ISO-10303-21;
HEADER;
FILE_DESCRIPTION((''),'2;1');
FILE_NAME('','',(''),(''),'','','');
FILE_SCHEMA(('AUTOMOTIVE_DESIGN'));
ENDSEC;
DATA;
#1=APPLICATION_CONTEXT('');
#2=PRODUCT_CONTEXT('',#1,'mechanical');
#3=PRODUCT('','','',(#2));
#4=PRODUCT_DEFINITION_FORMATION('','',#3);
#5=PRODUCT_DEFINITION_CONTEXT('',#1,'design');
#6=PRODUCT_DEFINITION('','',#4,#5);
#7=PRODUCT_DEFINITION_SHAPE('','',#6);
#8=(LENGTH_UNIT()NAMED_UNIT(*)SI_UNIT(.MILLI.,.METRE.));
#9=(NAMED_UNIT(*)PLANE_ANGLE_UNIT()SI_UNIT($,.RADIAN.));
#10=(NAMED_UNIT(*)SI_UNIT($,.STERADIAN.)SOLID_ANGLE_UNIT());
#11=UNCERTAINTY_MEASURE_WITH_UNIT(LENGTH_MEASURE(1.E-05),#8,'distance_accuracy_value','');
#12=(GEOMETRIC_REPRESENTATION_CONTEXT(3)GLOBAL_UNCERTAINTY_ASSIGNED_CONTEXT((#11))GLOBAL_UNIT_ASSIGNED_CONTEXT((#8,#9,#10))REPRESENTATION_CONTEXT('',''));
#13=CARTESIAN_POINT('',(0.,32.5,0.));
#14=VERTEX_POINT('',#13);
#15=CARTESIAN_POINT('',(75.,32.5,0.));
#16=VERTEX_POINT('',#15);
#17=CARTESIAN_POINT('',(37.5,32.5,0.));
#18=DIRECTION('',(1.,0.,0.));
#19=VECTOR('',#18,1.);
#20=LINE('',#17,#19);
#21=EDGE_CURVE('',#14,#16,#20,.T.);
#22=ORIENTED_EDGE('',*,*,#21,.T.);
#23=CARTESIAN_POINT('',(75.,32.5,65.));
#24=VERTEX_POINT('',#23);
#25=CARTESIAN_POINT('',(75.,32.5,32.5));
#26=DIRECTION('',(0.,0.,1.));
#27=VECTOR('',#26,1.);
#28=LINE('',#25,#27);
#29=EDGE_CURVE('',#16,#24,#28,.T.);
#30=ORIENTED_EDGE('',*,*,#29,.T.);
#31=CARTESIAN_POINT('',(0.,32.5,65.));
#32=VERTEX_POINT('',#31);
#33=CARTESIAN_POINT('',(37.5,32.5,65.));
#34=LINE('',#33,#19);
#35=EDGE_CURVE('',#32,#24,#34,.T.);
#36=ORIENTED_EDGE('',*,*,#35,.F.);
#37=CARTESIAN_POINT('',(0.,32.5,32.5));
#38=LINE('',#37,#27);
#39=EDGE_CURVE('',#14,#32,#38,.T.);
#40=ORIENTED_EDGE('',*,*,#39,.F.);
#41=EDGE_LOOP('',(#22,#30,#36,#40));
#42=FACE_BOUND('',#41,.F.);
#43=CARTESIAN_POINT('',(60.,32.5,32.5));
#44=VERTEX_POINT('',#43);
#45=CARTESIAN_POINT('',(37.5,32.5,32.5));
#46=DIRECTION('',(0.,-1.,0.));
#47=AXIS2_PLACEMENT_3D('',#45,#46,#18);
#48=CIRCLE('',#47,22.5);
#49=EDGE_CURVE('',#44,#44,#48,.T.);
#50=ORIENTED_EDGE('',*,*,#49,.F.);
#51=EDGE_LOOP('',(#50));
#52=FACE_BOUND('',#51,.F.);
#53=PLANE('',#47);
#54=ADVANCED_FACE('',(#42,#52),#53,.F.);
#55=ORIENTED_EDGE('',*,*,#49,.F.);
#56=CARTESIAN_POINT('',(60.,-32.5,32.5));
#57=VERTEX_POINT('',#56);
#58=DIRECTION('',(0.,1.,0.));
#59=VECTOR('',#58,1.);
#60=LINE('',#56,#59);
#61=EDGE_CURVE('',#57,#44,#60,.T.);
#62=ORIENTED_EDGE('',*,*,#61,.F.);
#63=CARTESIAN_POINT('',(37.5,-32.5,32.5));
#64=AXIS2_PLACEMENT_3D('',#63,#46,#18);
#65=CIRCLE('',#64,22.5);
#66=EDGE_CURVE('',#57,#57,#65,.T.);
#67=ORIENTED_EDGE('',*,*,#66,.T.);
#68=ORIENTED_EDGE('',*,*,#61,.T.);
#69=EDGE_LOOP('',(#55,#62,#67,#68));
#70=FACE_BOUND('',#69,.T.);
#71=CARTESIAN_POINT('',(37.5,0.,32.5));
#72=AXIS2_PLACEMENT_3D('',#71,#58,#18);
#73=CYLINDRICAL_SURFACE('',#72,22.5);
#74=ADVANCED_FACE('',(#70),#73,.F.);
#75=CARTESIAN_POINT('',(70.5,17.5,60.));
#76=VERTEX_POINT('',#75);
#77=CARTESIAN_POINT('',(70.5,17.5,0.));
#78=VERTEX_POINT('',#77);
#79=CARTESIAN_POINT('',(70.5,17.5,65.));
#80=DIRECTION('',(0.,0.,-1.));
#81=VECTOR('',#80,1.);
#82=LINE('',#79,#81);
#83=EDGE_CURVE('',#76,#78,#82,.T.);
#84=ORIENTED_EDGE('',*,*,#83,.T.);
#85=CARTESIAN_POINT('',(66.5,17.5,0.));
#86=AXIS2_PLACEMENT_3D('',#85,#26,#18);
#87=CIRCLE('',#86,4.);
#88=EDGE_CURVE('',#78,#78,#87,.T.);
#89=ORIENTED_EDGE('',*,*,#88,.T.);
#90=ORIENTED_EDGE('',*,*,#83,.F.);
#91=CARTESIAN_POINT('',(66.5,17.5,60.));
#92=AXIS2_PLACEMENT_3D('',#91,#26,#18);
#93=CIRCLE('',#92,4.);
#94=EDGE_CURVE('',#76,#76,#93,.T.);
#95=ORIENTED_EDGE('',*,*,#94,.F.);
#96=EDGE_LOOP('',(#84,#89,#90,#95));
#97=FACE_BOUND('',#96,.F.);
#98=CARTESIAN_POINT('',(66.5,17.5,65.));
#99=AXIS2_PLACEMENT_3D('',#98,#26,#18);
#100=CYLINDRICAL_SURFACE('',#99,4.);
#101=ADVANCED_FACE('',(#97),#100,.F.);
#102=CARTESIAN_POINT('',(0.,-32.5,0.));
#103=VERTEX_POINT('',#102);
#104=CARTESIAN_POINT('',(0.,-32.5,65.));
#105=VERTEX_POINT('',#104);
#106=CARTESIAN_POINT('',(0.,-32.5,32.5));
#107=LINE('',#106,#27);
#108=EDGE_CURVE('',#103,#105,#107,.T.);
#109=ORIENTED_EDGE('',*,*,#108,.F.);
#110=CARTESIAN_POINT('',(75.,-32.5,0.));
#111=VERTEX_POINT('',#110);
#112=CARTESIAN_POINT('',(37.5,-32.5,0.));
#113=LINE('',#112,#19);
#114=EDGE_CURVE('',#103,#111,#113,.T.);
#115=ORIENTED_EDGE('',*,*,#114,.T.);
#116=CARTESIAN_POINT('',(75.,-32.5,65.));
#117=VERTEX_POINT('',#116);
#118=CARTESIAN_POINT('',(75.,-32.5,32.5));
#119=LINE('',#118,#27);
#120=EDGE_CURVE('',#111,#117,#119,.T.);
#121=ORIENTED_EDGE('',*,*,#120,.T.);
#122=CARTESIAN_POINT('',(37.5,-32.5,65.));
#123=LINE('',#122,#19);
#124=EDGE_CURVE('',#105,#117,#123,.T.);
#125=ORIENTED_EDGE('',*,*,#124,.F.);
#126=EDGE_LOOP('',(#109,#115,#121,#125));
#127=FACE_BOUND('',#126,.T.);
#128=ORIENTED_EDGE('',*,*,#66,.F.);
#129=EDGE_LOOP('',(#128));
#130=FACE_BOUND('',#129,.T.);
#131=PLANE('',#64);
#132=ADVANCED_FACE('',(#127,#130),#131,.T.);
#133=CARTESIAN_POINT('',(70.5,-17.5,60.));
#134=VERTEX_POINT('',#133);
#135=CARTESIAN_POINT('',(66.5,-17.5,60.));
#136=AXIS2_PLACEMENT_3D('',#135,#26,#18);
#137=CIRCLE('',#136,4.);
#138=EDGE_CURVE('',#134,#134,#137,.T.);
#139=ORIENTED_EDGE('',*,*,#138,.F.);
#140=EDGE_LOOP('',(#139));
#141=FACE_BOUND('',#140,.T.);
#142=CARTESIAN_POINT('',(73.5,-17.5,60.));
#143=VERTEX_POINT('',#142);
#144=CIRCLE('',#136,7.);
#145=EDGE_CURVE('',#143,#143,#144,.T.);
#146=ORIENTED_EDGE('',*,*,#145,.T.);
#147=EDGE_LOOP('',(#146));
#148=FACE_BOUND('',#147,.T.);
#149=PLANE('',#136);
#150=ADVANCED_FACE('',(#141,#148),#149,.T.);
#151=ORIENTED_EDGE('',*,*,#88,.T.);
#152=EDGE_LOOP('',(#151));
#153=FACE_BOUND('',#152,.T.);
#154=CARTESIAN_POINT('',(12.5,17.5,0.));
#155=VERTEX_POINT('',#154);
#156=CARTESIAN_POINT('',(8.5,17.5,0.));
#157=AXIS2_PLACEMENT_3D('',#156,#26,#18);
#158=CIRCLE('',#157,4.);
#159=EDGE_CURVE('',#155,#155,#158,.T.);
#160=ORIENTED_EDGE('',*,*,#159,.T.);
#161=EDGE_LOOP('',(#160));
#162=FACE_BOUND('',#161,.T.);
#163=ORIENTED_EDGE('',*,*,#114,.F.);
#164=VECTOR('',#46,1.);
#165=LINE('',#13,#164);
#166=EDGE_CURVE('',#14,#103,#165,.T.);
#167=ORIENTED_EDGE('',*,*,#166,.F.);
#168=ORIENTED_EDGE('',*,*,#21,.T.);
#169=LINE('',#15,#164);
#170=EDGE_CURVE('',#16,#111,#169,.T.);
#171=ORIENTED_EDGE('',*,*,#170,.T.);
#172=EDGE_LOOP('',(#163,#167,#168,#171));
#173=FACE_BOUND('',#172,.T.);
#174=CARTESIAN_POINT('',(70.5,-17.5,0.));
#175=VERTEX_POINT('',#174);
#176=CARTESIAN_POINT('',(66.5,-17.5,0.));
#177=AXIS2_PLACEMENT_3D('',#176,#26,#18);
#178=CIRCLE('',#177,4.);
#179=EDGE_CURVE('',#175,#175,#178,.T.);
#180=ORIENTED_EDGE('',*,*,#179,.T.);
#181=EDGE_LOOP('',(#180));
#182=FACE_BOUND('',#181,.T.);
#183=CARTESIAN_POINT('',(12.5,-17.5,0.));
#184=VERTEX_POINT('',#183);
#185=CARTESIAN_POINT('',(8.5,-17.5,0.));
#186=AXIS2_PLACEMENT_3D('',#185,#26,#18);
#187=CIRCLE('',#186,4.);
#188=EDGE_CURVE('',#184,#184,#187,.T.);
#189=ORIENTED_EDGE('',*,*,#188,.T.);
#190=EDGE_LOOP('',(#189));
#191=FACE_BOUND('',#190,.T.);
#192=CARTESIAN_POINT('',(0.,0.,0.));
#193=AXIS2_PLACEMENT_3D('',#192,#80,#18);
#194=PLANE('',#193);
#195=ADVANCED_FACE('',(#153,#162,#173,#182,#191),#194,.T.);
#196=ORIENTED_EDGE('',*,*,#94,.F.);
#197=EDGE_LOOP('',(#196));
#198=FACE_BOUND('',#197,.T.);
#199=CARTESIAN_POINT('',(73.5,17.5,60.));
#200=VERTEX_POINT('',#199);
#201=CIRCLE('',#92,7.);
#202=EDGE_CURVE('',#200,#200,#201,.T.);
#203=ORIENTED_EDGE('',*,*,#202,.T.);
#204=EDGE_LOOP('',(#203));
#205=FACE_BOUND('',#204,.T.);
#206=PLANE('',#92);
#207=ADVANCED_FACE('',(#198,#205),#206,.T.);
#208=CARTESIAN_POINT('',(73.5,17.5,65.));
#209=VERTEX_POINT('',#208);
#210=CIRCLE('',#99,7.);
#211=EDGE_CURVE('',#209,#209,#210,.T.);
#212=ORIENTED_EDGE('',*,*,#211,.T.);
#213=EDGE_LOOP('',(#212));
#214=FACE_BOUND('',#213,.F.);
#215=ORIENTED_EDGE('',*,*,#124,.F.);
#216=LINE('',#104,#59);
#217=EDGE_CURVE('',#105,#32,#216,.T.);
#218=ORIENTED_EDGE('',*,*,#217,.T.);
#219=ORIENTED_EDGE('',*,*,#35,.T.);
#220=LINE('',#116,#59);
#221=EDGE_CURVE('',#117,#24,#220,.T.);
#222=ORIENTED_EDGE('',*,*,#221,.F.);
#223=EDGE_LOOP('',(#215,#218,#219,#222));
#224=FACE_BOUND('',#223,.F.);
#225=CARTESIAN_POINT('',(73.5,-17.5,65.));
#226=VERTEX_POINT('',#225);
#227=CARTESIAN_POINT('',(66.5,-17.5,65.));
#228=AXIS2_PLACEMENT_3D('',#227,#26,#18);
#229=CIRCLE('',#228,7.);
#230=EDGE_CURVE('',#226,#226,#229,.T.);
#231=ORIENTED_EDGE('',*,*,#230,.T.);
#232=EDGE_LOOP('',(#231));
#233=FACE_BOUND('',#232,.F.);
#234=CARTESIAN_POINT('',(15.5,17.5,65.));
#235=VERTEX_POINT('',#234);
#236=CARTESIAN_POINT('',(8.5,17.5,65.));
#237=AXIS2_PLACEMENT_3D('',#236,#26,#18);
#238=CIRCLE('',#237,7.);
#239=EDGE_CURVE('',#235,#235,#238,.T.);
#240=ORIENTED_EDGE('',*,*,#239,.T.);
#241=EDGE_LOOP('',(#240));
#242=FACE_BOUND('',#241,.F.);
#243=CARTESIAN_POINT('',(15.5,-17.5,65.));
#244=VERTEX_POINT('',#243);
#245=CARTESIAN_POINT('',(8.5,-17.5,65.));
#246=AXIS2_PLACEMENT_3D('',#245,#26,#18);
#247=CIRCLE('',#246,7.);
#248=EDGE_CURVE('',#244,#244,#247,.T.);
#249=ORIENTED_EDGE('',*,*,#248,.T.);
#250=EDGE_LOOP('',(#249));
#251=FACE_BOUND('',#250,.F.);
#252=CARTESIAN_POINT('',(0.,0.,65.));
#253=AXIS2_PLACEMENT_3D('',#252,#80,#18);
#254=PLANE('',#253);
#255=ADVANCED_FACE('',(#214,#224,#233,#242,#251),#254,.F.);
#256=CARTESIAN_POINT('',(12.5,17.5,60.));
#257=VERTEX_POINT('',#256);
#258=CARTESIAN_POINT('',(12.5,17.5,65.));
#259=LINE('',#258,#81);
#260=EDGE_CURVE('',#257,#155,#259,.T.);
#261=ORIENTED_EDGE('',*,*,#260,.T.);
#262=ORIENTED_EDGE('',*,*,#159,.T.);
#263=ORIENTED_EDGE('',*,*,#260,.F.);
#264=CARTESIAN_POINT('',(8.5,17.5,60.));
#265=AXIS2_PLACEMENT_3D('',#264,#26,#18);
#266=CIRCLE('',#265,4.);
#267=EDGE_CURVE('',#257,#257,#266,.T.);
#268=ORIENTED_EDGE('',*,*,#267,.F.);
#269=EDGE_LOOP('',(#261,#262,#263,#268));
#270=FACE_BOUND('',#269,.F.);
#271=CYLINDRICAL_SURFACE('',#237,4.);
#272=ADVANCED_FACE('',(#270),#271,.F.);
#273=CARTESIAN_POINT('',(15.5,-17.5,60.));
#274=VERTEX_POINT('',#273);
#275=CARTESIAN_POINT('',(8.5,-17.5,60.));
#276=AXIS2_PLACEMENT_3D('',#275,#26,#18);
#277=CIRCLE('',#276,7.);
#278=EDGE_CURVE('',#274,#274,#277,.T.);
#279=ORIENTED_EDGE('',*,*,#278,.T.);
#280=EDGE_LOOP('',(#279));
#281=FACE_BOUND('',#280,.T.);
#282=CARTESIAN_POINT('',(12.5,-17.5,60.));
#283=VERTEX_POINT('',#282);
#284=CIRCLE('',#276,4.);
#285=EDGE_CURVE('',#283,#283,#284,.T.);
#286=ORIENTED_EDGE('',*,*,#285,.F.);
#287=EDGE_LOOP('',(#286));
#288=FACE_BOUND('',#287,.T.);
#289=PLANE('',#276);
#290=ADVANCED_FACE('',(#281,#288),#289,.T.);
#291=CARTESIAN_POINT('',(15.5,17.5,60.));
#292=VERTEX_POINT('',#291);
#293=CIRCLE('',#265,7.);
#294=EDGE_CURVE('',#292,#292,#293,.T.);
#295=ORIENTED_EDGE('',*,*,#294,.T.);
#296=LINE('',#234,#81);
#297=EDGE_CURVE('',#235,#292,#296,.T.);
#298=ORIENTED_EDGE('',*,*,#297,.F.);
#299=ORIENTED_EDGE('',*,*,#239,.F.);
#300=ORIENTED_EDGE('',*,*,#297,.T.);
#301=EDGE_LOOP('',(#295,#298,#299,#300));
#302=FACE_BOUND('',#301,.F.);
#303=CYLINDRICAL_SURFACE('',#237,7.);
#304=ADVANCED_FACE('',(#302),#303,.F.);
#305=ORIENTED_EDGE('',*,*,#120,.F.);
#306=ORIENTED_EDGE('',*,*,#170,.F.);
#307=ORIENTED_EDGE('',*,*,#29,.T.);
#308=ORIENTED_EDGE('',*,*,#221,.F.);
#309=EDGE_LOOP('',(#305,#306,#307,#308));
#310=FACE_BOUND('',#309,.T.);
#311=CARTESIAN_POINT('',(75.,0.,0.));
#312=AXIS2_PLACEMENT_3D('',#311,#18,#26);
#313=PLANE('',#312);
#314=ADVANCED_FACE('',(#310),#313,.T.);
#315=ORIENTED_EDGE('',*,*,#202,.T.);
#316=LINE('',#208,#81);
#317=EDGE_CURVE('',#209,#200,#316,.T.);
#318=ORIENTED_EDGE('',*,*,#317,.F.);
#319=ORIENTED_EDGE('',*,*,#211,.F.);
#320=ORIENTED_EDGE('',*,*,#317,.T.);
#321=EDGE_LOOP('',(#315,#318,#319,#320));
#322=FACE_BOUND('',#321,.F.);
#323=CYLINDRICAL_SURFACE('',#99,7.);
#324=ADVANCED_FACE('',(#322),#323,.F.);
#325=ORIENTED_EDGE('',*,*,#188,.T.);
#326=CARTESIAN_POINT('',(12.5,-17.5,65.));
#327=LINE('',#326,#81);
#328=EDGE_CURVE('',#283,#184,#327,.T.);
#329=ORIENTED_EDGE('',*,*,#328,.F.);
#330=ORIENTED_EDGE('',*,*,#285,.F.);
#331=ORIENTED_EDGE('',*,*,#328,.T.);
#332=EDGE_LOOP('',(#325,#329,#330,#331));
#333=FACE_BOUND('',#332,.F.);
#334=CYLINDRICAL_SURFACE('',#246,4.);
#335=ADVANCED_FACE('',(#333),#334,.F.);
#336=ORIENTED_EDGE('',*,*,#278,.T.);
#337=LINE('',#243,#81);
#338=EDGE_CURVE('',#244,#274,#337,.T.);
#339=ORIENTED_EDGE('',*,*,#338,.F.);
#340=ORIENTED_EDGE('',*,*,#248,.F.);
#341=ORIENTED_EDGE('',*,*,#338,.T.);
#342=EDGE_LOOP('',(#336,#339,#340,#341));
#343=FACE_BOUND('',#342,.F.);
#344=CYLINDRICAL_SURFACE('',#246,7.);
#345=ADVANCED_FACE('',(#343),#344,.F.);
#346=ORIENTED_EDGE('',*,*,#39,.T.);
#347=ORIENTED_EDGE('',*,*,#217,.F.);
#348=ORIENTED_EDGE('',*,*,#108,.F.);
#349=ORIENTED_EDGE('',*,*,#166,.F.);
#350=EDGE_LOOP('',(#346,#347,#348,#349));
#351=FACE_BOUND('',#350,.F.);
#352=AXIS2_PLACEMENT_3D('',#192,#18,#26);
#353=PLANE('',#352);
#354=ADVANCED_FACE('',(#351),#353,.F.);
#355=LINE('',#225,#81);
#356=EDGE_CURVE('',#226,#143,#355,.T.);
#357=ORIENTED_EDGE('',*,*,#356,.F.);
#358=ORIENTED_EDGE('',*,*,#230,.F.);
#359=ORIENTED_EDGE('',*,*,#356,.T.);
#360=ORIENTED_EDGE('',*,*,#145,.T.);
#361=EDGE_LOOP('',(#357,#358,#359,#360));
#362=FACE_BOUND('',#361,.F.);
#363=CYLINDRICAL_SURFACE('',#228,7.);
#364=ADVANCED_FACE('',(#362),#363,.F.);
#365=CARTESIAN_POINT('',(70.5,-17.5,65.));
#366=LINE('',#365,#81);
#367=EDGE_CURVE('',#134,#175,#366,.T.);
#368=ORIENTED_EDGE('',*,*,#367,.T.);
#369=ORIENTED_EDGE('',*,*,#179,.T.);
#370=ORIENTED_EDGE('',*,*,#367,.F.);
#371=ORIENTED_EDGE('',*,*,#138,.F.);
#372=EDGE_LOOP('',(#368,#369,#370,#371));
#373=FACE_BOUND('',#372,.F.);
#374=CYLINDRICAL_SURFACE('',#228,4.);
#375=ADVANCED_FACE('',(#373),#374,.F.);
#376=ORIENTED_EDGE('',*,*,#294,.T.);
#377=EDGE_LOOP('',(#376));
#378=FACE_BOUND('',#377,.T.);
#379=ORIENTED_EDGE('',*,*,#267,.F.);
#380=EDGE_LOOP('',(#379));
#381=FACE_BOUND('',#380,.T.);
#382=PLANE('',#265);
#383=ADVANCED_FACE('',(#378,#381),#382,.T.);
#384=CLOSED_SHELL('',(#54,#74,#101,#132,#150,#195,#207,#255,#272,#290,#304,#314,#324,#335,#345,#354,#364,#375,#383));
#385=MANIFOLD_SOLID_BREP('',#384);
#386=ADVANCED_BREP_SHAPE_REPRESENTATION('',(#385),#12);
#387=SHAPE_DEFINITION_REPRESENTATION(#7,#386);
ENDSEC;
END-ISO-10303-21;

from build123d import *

# Parameters (mm, degrees)
F0_W     = 75
F0_H     = 65
F0_R     = 22.5
F1_DEPTH = 32.5
F2_R     = 4
F3_DEPTH = 65.001
F2_R_2   = 7
F4_DEPTH = 5


with BuildPart() as f1:
    # F0 (on Front) → F1 (new body, symmetric)
    with BuildSketch(Plane.XZ):
        with Locations((37.5, 32.5)):
            Rectangle(F0_W, F0_H)
        with Locations((37.5, 32.5)):
            Circle(F0_R, mode=Mode.SUBTRACT)
    extrude(amount=F1_DEPTH, both=True)

    # F2 (on face) → F3 (cut, through all)
    with BuildSketch(Plane.XY.offset(65)):
        with Locations((66.5, 17.5)):
            Circle(F2_R)
        with Locations((66.5, -17.5)):
            Circle(F2_R)
        with Locations((8.5, -17.5)):
            Circle(F2_R)
        with Locations((8.5, 17.5)):
            Circle(F2_R)
    extrude(amount=-F3_DEPTH, mode=Mode.SUBTRACT)

    # F2 (on face) → F4 (cut)
    with BuildSketch(Plane.XY.offset(65)):
        with Locations((8.5, 17.5)):
            Circle(F2_R_2)
        with Locations((8.5, 17.5)):
            Circle(F2_R, mode=Mode.SUBTRACT)
        with Locations((66.5, 17.5)):
            Circle(F2_R_2)
        with Locations((66.5, 17.5)):
            Circle(F2_R, mode=Mode.SUBTRACT)
        with Locations((66.5, -17.5)):
            Circle(F2_R_2)
        with Locations((66.5, -17.5)):
            Circle(F2_R, mode=Mode.SUBTRACT)
        with Locations((8.5, -17.5)):
            Circle(F2_R_2)
        with Locations((8.5, -17.5)):
            Circle(F2_R, mode=Mode.SUBTRACT)
    extrude(amount=-F4_DEPTH, mode=Mode.SUBTRACT)


solid = f1.part
